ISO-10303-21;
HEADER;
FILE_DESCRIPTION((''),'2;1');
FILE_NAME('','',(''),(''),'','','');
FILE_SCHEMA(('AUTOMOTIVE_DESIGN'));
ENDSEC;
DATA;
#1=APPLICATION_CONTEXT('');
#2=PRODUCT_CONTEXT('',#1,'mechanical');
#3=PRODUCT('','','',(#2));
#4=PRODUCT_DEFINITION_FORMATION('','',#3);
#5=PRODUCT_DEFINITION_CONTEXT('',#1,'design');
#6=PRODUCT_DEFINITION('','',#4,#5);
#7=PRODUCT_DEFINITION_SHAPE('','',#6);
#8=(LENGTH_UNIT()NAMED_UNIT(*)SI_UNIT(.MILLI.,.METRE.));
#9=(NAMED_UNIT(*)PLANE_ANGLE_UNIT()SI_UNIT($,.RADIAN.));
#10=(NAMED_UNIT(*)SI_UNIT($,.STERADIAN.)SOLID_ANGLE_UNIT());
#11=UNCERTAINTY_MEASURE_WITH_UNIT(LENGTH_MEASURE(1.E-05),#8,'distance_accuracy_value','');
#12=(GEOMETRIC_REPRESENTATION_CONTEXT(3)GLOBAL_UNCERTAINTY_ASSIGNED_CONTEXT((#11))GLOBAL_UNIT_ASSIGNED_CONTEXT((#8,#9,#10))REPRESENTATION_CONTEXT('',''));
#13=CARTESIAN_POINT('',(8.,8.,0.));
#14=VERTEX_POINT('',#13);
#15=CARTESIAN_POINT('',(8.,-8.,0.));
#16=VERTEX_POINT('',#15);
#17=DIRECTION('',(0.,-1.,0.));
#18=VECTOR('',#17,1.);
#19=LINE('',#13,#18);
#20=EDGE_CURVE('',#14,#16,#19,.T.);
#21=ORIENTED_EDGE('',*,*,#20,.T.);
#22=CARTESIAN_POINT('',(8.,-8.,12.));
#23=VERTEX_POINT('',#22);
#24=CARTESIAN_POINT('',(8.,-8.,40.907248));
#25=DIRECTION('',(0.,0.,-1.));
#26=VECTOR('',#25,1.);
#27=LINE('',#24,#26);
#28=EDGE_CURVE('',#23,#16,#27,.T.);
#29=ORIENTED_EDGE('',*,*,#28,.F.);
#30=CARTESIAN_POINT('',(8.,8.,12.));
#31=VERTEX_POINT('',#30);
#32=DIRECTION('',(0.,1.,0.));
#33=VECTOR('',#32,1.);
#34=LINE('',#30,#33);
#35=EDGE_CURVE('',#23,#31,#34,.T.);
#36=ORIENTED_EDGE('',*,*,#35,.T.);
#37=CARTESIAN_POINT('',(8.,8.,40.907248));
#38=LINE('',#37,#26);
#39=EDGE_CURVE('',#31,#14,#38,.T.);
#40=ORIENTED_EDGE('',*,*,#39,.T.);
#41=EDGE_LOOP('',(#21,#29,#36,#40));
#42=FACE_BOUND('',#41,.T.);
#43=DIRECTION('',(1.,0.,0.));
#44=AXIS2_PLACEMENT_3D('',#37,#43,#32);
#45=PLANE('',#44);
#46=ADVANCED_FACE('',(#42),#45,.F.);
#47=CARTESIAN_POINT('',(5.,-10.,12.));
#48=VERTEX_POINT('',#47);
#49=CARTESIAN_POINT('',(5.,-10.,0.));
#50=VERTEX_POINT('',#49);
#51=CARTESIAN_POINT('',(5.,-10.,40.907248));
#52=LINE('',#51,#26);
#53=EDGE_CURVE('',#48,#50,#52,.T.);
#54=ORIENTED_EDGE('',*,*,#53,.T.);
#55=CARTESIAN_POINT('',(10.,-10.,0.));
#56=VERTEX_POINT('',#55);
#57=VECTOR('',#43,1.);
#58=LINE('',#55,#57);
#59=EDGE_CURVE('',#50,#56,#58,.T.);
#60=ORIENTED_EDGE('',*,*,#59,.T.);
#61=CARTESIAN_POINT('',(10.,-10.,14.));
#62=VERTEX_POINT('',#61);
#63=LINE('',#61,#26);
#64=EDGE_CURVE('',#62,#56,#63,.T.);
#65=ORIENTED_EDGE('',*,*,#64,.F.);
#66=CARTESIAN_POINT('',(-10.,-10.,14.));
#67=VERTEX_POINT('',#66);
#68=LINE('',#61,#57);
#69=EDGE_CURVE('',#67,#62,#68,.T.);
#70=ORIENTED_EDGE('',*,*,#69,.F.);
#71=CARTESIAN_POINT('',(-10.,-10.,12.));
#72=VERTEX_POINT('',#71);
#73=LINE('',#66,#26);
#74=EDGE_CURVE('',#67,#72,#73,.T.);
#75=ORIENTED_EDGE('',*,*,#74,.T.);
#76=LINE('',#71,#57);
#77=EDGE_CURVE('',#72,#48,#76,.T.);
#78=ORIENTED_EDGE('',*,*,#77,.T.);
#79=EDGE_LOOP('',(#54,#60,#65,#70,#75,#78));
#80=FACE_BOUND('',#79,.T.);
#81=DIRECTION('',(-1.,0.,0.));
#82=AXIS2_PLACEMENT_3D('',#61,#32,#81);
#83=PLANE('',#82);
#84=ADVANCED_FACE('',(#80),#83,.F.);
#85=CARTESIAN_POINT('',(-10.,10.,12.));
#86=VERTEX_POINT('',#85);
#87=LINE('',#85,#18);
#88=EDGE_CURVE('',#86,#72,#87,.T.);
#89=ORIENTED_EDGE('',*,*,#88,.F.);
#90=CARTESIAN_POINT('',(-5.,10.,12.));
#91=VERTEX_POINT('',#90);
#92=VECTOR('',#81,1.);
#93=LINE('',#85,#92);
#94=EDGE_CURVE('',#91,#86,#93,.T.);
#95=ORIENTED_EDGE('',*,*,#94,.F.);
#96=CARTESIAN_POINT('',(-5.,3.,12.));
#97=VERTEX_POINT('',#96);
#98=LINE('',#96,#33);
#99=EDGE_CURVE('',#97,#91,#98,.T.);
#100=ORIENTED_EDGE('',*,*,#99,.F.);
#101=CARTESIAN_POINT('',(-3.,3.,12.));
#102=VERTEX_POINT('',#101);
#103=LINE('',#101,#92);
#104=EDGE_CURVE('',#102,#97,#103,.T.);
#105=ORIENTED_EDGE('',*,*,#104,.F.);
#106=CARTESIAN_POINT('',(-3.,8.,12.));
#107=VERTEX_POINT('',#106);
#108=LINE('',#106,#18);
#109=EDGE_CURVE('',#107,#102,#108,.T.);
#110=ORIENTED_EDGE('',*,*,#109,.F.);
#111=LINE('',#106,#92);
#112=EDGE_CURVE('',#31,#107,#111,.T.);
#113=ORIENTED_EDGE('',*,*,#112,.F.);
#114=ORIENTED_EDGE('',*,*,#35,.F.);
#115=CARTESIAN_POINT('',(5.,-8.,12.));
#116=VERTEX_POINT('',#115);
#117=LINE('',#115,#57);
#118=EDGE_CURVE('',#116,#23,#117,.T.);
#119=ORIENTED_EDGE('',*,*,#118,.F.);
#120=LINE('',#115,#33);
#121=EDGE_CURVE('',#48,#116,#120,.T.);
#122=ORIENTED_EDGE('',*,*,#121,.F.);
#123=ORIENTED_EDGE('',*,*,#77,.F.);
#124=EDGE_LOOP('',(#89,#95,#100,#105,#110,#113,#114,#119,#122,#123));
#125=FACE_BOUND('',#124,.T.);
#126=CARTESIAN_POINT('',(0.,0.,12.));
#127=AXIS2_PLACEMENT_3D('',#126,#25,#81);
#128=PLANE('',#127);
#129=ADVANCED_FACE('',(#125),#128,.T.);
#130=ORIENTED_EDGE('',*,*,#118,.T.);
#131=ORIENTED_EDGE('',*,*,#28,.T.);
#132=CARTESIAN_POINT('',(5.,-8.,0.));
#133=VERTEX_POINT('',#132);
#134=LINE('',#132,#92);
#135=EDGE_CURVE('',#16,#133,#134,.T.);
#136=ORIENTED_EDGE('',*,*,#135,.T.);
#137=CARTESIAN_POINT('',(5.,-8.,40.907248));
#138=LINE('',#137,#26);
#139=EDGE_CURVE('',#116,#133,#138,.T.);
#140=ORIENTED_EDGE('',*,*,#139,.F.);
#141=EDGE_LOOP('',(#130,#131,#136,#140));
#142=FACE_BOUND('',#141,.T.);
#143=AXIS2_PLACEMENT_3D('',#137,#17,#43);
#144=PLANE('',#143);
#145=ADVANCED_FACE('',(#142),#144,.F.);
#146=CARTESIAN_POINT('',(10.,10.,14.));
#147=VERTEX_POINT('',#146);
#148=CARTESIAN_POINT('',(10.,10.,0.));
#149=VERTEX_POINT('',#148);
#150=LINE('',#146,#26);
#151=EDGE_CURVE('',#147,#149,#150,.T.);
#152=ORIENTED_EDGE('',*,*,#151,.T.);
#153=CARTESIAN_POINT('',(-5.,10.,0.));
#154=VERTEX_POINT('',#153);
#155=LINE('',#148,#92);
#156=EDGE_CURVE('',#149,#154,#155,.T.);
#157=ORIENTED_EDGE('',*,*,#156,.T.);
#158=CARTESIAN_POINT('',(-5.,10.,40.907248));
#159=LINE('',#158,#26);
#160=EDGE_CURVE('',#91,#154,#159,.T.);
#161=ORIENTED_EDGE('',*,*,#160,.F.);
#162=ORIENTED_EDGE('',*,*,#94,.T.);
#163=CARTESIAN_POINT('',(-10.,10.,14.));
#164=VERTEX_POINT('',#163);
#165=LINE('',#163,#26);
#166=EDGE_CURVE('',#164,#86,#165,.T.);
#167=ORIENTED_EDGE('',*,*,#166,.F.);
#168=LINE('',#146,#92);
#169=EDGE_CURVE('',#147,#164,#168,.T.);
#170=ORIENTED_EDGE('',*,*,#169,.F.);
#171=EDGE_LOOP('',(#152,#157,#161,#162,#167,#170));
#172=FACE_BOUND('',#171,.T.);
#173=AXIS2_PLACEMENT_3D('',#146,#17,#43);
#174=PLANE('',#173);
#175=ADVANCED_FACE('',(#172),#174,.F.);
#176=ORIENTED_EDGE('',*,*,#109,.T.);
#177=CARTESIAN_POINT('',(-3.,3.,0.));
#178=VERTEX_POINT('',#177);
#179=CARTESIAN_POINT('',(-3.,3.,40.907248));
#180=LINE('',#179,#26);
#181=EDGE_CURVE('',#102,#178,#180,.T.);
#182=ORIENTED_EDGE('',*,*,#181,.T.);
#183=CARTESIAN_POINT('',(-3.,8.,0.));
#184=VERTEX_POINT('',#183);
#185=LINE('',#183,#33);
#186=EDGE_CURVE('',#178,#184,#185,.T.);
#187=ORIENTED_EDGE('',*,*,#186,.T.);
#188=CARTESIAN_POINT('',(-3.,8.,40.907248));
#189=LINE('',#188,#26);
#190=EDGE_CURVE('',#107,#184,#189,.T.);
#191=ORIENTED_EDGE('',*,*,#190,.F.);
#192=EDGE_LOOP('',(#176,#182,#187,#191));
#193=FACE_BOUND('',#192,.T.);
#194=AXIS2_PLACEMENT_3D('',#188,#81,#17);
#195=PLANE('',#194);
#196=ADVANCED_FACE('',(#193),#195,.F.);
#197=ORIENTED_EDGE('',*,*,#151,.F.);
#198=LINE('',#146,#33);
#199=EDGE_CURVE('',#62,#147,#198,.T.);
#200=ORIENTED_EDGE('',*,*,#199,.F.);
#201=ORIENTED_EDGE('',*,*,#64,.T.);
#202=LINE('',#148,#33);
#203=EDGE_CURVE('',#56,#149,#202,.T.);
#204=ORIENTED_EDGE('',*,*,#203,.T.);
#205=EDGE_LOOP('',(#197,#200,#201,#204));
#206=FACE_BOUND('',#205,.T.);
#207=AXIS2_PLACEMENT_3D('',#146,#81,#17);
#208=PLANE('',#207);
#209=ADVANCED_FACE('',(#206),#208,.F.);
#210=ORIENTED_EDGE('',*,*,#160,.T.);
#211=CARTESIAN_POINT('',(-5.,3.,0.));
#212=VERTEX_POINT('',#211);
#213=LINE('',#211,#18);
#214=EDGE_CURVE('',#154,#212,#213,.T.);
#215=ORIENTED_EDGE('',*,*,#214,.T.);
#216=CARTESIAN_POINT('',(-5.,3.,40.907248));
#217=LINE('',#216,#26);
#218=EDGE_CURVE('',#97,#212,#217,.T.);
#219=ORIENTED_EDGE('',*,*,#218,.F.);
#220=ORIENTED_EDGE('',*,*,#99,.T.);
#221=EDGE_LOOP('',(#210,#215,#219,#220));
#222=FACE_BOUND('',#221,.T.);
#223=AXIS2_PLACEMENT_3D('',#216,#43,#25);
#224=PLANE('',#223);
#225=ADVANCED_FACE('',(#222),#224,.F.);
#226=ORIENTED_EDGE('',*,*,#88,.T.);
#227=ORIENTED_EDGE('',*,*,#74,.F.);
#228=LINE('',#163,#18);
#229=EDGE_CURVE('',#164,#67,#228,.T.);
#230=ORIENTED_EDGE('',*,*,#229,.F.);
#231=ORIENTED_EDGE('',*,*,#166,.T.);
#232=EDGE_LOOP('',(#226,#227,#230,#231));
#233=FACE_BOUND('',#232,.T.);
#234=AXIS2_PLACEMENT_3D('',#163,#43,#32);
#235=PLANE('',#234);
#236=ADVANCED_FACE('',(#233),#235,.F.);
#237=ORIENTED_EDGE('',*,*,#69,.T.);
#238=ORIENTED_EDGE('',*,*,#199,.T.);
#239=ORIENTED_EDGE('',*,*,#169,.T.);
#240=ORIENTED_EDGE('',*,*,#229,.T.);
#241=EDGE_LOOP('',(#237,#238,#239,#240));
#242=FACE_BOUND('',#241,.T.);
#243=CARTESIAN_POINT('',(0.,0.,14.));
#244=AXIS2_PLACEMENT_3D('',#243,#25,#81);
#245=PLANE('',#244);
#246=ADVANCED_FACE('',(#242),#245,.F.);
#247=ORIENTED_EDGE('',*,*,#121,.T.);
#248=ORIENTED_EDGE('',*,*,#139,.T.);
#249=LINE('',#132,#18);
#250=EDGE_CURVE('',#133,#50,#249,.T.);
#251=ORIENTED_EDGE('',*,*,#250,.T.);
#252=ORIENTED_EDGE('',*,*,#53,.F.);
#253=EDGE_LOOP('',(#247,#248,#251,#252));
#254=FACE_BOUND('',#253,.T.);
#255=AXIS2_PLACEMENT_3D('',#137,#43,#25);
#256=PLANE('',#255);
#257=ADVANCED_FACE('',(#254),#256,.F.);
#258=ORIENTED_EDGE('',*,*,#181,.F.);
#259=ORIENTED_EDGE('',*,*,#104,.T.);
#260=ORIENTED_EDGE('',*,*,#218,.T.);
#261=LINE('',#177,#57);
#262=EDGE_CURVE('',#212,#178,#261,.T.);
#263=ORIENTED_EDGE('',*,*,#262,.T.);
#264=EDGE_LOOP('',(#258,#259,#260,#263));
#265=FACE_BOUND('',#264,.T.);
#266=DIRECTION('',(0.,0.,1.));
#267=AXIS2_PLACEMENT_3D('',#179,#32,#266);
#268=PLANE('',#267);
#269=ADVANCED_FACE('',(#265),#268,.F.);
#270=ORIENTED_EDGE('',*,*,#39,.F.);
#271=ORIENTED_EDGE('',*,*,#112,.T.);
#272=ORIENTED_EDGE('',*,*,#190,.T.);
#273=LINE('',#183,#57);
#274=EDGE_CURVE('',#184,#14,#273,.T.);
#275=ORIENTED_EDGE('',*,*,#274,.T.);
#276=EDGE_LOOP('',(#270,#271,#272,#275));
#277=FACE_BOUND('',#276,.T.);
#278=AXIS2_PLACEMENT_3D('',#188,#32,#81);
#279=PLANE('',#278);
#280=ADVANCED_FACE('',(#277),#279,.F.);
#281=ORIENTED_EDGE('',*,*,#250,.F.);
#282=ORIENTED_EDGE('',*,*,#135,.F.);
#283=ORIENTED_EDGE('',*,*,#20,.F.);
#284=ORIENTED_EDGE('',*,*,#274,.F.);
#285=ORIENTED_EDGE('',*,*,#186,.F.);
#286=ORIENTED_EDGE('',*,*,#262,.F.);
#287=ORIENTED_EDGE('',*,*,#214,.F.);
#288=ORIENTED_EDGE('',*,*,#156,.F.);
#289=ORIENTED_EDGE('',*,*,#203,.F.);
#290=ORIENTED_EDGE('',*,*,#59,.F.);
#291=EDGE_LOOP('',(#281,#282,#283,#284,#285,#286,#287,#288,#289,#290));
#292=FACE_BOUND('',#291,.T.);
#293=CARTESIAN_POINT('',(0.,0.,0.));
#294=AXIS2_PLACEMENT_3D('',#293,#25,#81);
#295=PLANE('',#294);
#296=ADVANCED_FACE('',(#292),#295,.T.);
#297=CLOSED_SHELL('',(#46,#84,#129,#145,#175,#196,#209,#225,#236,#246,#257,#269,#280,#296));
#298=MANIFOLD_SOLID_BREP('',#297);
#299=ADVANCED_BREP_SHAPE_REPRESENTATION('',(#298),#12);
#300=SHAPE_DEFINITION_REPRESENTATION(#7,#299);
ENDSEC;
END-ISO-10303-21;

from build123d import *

# Parameters (mm, degrees)
SKETCH1_W           = 20
SKETCH1_H           = 20
BOSS_EXTRUDE1_DEPTH = 14
CUT_EXTRUDE1_DEPTH  = 12


with BuildPart() as part:
    # Sketch1 → Boss-Extrude1 (new body)
    with BuildSketch(Plane.XY):
        Rectangle(SKETCH1_W, SKETCH1_H)
    extrude(amount=BOSS_EXTRUDE1_DEPTH)

    # Sketch2 → Cut-Extrude1 (cut)
    with BuildSketch(Plane(origin=(0, 0, 0), x_dir=(-1, 0, 0), z_dir=(0, 0, -1))):
        Polygon((3, 8), (-8, 8), (-8, -8), (-5, -8), (-5, -10), (10, -10), (10, 10), (5, 10), (5, 3), (3, 3), align=None)
    extrude(amount=-CUT_EXTRUDE1_DEPTH, mode=Mode.SUBTRACT)


solid = part.part
